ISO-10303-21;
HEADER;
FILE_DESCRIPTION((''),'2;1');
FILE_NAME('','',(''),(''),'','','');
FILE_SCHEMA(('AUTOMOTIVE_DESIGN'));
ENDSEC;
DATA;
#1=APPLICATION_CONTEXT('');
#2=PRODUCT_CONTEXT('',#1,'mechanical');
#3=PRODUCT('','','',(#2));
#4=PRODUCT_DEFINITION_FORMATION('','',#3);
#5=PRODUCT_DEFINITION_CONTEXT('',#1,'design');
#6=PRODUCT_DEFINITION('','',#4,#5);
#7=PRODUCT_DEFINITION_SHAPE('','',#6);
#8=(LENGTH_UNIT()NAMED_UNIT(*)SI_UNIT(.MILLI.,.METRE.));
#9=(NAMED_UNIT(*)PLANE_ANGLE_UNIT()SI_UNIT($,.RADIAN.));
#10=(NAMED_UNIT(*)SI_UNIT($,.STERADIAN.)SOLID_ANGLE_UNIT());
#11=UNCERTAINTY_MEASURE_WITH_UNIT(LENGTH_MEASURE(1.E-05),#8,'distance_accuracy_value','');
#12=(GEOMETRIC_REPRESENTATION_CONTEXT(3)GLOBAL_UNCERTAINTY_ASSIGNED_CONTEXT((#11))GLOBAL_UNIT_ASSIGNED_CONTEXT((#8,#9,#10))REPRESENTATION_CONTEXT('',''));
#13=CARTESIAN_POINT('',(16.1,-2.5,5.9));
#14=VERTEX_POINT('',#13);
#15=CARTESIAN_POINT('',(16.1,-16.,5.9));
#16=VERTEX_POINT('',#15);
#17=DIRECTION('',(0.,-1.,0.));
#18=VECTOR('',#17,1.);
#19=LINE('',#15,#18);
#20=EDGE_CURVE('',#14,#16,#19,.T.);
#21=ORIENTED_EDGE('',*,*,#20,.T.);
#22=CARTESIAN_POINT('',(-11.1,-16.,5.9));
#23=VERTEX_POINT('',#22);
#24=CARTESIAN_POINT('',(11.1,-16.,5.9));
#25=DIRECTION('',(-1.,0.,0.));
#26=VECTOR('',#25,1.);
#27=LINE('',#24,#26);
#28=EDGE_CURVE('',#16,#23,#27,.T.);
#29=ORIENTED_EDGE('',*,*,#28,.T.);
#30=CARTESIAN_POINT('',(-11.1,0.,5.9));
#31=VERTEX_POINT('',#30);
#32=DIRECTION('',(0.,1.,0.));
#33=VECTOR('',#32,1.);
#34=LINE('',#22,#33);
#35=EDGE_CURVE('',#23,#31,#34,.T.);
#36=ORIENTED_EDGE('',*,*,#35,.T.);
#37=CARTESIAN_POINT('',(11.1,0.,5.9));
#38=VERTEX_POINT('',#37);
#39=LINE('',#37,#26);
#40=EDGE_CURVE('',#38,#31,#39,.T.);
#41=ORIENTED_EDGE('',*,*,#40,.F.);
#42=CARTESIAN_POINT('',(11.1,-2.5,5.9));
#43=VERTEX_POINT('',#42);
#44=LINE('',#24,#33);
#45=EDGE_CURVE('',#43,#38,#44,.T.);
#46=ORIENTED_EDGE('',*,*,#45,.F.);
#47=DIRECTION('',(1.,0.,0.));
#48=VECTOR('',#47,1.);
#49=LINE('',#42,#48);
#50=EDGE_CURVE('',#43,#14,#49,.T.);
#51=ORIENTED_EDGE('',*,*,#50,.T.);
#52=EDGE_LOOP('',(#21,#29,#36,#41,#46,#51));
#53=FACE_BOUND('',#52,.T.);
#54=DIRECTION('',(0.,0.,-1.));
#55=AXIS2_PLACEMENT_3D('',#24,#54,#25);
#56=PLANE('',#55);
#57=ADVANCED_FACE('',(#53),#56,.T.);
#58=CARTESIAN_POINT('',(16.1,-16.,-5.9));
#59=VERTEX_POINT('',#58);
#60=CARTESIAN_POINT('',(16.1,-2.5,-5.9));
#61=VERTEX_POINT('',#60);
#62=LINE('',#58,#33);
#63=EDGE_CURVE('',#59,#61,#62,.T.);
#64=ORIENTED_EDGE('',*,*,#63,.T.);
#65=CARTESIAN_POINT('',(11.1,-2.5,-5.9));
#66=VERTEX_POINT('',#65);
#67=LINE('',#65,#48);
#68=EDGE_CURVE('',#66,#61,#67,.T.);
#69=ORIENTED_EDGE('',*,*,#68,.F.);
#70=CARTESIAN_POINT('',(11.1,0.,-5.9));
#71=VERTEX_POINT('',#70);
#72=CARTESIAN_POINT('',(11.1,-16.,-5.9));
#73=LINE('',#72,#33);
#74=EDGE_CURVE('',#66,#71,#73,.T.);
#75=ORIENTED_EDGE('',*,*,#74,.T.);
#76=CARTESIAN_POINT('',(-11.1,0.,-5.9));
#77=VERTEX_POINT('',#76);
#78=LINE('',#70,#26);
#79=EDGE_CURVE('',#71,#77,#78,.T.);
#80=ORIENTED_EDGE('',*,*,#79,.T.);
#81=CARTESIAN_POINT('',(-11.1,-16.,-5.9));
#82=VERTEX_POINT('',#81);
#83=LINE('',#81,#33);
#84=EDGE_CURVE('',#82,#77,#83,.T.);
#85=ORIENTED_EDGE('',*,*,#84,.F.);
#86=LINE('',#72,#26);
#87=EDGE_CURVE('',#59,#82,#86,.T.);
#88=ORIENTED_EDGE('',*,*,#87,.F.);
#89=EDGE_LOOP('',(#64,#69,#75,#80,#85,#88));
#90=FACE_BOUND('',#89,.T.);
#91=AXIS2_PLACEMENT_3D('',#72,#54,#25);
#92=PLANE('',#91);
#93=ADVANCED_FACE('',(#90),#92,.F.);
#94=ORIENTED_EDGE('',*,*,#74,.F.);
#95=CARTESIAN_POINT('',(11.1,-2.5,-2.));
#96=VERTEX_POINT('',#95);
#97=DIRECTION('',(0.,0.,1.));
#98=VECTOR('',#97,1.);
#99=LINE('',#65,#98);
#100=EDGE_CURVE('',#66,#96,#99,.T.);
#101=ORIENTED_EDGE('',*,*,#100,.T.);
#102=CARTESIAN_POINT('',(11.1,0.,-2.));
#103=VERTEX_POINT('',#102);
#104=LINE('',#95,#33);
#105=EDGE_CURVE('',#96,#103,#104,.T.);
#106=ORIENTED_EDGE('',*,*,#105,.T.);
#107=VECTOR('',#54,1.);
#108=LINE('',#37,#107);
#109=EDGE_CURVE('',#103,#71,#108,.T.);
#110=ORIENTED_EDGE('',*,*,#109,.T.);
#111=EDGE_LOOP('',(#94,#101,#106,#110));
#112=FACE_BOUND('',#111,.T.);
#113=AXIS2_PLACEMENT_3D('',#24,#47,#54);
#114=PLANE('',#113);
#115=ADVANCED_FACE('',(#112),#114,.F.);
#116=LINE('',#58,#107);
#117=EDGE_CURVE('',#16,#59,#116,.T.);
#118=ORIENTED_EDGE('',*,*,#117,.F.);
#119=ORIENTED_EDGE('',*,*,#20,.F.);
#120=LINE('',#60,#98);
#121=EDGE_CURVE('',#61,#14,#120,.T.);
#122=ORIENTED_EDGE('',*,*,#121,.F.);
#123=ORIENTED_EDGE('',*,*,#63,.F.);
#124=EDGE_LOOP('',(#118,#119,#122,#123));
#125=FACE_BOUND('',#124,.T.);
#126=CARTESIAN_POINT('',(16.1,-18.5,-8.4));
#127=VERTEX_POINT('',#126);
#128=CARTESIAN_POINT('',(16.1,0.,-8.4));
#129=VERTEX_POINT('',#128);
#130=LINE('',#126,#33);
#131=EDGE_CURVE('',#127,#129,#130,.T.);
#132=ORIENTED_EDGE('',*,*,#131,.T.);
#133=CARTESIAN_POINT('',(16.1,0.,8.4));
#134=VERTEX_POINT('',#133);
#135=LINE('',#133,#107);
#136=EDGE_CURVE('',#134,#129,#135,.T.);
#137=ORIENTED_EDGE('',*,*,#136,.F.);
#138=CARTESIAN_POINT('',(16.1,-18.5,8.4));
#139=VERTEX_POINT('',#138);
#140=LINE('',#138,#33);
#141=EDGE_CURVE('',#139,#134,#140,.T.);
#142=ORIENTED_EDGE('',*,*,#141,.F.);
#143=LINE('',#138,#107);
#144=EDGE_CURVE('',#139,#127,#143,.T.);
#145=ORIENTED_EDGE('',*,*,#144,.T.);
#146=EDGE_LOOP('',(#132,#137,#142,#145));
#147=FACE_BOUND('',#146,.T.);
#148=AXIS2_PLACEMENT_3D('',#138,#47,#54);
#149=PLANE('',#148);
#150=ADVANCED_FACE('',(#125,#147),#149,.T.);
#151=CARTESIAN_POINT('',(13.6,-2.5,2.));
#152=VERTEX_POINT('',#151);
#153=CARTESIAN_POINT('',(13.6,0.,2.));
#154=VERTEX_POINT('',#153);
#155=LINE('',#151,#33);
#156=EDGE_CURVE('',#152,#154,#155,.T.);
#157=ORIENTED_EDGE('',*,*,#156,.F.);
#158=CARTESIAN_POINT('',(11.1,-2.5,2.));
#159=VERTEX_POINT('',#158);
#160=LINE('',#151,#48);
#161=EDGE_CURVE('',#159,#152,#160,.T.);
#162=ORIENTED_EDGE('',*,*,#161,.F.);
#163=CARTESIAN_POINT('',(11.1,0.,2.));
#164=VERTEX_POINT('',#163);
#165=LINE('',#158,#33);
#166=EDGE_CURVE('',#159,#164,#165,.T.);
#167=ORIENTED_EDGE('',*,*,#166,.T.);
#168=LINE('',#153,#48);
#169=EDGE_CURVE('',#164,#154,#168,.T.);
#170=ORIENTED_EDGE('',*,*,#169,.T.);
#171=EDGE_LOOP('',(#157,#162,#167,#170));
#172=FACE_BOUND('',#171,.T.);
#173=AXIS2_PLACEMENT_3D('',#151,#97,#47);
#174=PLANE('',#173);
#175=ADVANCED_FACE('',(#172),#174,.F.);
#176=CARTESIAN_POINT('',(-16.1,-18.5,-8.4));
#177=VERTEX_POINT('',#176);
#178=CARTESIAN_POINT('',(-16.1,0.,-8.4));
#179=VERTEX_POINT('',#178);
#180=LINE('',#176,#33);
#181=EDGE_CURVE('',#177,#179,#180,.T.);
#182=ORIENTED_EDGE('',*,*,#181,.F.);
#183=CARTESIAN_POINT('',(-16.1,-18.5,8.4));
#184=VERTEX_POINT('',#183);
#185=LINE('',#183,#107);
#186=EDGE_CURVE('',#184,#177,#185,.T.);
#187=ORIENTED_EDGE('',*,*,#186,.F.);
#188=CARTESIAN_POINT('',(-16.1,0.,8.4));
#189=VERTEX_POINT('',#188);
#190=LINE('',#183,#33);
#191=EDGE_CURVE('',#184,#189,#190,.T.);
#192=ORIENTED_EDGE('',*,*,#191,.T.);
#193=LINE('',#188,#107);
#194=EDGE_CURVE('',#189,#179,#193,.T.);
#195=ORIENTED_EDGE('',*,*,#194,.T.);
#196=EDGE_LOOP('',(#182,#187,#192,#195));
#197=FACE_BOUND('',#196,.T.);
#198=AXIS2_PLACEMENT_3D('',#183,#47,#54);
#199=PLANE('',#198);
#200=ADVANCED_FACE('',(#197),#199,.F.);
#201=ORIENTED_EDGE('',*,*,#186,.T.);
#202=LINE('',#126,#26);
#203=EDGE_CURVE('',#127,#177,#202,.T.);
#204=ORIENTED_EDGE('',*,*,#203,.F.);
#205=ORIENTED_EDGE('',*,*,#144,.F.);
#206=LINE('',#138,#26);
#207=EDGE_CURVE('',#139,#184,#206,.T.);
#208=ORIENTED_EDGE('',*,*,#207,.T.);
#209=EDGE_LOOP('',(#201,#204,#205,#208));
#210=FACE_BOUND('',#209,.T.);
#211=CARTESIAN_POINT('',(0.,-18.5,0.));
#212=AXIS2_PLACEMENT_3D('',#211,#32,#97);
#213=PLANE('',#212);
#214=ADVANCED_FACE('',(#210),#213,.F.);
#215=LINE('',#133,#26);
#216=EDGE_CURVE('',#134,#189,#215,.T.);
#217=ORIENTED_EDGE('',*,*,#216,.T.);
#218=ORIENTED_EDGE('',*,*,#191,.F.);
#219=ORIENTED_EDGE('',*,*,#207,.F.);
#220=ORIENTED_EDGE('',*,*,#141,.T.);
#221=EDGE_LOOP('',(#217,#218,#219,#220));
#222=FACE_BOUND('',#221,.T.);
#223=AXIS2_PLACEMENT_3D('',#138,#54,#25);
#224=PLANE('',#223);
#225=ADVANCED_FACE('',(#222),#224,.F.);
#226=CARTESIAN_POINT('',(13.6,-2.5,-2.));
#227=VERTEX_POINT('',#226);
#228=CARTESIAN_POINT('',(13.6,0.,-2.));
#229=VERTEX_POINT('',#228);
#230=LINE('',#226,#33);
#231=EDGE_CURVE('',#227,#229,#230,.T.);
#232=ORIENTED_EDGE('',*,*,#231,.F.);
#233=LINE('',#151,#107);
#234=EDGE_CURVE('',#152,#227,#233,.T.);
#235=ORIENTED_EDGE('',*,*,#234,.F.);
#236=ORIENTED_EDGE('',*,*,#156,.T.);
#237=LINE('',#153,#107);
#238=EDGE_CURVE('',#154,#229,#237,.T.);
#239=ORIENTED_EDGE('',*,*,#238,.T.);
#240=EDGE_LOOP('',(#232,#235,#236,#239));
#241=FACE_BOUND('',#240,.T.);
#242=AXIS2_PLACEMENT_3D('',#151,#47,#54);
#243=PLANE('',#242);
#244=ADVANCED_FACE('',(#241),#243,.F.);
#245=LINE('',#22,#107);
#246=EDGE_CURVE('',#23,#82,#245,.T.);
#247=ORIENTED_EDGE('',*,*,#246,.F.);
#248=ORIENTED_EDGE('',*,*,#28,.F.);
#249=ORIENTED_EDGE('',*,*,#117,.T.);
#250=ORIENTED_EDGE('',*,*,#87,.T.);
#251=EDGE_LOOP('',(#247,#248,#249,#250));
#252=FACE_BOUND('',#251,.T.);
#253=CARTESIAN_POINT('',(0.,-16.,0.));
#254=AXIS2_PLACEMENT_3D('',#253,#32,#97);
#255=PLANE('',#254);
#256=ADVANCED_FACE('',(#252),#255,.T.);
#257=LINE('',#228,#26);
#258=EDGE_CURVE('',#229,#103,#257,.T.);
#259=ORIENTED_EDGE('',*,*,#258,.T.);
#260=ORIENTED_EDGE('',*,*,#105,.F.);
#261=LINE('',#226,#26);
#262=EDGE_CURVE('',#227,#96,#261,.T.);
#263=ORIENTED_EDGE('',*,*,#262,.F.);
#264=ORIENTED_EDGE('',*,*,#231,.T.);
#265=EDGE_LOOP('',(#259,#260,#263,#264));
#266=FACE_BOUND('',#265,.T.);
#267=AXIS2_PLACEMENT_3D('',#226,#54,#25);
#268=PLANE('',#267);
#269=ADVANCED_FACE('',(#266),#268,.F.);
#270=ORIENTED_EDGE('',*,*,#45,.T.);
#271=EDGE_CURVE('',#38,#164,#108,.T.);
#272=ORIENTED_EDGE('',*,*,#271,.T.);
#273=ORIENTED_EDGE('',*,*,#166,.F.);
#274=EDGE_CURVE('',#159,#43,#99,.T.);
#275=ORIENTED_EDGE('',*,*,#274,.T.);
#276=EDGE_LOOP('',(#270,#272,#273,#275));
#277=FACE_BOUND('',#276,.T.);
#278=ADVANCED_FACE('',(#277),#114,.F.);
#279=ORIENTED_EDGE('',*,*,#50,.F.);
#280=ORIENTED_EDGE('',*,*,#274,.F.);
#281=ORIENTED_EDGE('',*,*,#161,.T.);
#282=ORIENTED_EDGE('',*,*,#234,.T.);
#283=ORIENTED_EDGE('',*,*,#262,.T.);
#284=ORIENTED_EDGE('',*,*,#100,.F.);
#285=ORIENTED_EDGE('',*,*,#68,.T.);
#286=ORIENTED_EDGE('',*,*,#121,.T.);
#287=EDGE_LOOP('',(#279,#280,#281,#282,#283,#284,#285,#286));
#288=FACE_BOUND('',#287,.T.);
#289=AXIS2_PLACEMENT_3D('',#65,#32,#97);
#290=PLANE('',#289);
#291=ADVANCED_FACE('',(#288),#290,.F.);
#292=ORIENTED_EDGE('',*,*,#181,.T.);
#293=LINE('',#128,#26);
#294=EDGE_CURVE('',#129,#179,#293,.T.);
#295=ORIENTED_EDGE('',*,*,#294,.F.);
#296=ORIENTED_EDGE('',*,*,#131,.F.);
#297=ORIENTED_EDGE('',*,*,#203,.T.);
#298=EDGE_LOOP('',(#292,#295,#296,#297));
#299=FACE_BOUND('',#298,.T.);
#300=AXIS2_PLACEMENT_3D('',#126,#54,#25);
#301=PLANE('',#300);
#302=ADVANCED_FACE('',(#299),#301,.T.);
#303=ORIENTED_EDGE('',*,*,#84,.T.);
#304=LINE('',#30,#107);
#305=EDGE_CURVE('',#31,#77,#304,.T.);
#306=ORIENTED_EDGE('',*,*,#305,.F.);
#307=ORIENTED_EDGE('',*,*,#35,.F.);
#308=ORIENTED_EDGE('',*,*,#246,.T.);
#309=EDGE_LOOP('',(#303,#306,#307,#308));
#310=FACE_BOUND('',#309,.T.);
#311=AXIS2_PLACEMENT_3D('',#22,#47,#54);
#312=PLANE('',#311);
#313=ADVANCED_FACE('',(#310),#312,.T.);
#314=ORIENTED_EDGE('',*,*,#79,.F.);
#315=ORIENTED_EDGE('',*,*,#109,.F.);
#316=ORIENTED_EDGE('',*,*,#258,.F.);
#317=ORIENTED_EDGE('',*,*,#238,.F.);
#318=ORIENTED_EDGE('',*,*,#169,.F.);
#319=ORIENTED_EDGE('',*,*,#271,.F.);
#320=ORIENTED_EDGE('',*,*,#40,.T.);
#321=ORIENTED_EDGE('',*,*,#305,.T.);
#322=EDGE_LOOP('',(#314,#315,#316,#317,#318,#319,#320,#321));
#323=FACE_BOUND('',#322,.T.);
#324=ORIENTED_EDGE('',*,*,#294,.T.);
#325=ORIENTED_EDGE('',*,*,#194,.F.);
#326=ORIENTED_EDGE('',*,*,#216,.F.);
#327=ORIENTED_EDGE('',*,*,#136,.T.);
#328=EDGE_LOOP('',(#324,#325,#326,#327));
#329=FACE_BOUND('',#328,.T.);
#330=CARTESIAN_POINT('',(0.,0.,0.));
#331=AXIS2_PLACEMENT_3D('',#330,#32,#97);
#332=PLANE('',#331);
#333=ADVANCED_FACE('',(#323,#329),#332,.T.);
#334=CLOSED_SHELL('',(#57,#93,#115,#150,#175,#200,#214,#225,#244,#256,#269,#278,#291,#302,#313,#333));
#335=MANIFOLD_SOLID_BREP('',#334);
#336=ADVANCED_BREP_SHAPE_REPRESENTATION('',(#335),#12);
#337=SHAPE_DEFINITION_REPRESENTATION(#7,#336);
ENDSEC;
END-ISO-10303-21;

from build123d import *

# Parameters (mm, degrees)
SKETCH2_W           = 32.2
SKETCH2_H           = 16.8
BOSS_EXTRUDE1_DEPTH = 18.5
SKETCH3_W           = 22.2
SKETCH3_H           = 11.8
CUT_EXTRUDE1_DEPTH  = 16
SKETCH4_W           = 11.8
SKETCH4_H           = 13.5
CUT_EXTRUDE2_DEPTH  = 5
SKETCH5_W           = 2.5
SKETCH5_H           = 4
CUT_EXTRUDE3_DEPTH  = 2.5


with BuildPart() as part:
    # Sketch2 → Boss-Extrude1 (new body)
    with BuildSketch(Plane(origin=(0, 0, 0), x_dir=(1, 0, 0), z_dir=(0, 1, 0))):
        Rectangle(SKETCH2_W, SKETCH2_H)
    extrude(amount=-BOSS_EXTRUDE1_DEPTH)

    # Sketch3 → Cut-Extrude1 (cut)
    with BuildSketch(Plane(origin=(0, 0, 0), x_dir=(1, 0, 0), z_dir=(0, 1, 0))):
        Rectangle(SKETCH3_W, SKETCH3_H)
    extrude(amount=-CUT_EXTRUDE1_DEPTH, mode=Mode.SUBTRACT)

    # Sketch4 → Cut-Extrude2 (cut)
    with BuildSketch(Plane(origin=(16.1, 0, 0), x_dir=(0, 0, -1), z_dir=(1, 0, 0))):
        with Locations((0, -9.25)):
            Rectangle(SKETCH4_W, SKETCH4_H)
    extrude(amount=-CUT_EXTRUDE2_DEPTH, mode=Mode.SUBTRACT)

    # Sketch5 → Cut-Extrude3 (cut)
    with BuildSketch(Plane(origin=(0, 0, 0), x_dir=(1, 0, 0), z_dir=(0, 1, 0))):
        with Locations((12.35, 0)):
            Rectangle(SKETCH5_W, SKETCH5_H)
    extrude(amount=-CUT_EXTRUDE3_DEPTH, mode=Mode.SUBTRACT)


solid = part.part
